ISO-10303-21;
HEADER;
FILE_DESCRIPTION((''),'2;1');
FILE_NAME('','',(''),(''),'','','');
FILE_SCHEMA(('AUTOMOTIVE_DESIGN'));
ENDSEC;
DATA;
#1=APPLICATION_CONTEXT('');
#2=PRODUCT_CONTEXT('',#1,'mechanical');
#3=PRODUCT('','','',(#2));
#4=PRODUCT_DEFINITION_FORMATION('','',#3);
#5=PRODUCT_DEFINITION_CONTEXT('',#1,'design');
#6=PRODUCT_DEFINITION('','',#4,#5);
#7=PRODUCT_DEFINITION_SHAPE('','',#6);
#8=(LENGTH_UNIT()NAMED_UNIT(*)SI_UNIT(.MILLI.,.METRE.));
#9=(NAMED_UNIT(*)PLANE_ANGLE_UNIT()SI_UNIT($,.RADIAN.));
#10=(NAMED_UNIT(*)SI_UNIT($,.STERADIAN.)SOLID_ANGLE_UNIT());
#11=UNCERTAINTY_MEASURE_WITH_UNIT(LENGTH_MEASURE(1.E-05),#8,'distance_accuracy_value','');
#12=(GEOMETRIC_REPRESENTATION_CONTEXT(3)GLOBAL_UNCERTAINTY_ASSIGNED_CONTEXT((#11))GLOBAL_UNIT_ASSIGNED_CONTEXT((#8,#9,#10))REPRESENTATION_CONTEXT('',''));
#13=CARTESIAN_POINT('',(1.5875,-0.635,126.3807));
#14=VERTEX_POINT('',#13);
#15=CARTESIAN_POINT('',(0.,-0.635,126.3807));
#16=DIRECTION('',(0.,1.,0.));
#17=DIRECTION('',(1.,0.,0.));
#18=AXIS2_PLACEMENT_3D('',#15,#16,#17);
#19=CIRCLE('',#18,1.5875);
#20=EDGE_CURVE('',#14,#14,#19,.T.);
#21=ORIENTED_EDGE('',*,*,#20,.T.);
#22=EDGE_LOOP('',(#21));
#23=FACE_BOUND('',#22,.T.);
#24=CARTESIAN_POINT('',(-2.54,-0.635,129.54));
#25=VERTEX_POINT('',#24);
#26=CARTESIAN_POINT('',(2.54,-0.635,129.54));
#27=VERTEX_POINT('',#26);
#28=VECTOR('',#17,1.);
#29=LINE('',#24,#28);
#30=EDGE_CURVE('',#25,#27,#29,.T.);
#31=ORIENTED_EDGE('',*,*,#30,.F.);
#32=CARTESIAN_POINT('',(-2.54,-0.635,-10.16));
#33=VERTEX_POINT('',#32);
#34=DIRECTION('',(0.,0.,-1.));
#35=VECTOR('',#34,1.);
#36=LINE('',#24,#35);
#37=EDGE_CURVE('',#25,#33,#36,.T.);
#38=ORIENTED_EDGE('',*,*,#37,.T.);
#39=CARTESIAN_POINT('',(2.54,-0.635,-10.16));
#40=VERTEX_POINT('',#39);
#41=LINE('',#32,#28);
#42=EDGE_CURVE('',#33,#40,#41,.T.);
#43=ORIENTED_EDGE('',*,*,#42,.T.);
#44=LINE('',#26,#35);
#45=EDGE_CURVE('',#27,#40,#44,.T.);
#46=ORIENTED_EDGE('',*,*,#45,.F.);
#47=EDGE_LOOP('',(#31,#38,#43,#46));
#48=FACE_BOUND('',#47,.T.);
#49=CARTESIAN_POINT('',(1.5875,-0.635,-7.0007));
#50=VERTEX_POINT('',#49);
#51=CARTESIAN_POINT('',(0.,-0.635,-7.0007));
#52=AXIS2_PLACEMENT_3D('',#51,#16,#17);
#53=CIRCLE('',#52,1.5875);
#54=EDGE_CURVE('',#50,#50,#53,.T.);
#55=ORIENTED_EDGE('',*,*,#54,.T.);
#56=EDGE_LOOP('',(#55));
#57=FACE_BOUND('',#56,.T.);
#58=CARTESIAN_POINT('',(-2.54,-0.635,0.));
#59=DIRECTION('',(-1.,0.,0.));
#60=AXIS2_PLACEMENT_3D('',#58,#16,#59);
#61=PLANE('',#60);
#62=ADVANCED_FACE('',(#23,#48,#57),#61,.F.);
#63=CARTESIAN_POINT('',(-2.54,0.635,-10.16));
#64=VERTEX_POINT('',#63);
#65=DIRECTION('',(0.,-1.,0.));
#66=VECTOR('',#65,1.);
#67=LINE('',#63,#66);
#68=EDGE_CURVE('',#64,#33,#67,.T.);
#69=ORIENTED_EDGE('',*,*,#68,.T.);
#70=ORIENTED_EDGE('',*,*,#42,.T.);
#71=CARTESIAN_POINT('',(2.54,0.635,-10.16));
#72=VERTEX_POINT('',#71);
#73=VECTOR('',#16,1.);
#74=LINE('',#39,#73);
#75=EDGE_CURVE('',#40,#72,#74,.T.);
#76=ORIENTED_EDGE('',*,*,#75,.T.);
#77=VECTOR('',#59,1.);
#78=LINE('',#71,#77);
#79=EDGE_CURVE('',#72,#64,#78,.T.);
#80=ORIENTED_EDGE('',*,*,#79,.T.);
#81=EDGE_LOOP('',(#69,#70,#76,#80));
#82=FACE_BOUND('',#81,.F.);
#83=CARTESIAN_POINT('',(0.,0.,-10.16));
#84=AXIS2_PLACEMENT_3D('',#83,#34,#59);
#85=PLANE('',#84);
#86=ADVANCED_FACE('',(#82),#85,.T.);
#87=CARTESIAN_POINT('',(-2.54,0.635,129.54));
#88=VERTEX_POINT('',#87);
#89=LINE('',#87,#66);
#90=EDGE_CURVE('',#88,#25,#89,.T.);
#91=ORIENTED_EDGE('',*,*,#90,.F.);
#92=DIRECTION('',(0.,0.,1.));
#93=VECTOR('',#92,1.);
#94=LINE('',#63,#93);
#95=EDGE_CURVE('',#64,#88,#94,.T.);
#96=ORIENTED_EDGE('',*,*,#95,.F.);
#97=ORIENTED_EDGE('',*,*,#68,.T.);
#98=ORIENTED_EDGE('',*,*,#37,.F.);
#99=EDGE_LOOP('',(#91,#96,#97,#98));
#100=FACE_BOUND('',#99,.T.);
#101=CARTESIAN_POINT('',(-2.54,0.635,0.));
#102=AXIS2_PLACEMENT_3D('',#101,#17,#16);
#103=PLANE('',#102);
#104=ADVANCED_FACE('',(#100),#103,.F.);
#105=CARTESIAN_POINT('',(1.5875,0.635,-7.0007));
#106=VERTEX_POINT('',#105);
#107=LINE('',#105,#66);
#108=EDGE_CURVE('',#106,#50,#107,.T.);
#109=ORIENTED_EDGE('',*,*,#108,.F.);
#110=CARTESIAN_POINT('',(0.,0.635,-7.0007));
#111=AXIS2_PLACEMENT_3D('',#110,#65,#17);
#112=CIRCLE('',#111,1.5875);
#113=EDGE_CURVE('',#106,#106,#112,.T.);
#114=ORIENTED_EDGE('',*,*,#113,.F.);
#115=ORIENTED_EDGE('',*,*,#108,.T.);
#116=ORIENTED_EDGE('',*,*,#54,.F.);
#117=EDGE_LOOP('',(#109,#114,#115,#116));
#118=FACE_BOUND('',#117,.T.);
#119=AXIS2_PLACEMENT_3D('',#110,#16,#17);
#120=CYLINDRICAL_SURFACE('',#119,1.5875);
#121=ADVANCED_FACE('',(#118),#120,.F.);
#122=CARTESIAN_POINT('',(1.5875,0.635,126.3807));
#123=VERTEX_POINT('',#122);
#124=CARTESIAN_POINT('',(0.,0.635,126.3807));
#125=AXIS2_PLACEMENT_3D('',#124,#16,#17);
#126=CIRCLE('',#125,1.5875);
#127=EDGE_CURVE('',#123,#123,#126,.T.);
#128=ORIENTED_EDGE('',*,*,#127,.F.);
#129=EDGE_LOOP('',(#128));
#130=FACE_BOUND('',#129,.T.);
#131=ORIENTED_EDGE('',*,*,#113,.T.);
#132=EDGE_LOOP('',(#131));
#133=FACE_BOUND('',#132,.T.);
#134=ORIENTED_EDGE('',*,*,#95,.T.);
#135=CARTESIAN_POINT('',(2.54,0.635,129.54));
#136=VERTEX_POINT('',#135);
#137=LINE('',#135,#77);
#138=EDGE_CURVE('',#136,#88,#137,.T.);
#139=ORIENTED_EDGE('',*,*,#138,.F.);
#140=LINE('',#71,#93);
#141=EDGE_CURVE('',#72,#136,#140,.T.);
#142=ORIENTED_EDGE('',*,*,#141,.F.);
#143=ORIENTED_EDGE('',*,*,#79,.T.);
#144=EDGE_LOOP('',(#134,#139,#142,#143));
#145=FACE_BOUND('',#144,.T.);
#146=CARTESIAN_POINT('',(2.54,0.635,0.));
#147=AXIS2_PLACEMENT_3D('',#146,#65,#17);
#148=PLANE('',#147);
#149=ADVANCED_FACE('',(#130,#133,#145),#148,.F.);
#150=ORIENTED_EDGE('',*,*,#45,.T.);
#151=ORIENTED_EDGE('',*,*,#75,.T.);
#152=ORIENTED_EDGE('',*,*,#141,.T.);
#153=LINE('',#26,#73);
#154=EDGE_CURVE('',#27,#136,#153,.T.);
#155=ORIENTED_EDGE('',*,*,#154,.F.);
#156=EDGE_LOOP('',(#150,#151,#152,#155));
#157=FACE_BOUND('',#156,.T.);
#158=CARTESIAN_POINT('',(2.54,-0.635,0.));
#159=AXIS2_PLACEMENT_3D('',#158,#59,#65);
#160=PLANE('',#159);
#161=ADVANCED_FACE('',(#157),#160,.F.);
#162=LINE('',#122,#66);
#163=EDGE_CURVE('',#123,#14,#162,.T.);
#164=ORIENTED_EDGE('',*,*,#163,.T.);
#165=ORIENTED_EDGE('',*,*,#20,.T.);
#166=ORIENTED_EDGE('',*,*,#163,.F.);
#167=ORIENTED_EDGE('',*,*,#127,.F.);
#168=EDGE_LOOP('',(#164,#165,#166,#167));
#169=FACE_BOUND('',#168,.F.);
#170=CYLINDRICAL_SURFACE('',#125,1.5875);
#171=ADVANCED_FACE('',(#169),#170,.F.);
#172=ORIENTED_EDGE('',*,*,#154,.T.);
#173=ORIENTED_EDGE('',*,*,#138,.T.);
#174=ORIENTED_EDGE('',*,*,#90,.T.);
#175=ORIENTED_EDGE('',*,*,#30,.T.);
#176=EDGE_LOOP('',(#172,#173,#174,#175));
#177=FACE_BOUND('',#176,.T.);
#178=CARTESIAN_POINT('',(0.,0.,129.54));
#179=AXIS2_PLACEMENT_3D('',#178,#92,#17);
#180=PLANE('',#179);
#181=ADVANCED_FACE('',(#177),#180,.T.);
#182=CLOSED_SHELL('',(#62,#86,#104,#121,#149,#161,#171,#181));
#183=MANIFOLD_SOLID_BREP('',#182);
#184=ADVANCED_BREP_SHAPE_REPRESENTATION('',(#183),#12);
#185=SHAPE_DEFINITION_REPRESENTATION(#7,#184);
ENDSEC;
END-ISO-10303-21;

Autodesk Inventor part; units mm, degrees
ref_plane "YZ Plane" through (0, 0, 0) normal (1, 0, 0) x (0, 1, 0)
ref_plane "XZ Plane" through (0, 0, 0) normal (0, 1, 0) x (-1, 0, 0)
sketch "Sketch1" plane through (0, 0, 0) normal (0, 0, 1) x (1, 0, 0)
  line L0 (2.54, -0.635) -> (-2.54, -0.635)
  line L1 (-2.54, -0.635) -> (-2.54, 0.635)
  line L2 (-2.54, 0.635) -> (2.54, 0.635)
  line L3 (2.54, 0.635) -> (2.54, -0.635)
  line L4 (2.54, -0.635) -> (-2.54, 0.635) construction
  line L5 (-2.54, -0.635) -> (2.54, 0.635) construction
  point P0 (0, 0)
  dimension "d0" = 5.08
  dimension "d1" = 1.27
extrude "Extrusion1" add sketch "Sketch1" along normal blind 119.38
ref_plane "Work Plane1" through (0, 0, 59.69) normal (0, 0, 1) x (1, 0, 0)
sketch "Sketch2" plane through (0, 0, 119.38) normal (0, 0, 1) x (1, 0, 0)
  line L0 (2.54, 0.635) -> (-2.54, 0.635) projected
  line L1 (-2.54, 0.635) -> (-2.54, -0.635) projected
  line L2 (-2.54, -0.635) -> (2.54, -0.635) projected
  line L3 (2.54, -0.635) -> (2.54, 0.635) projected
  point P0 (0, 0)
extrude "Extrusion2" add sketch "Sketch2" along normal blind 10.16
sketch "Sketch3" plane through (-2.54, 0.635, 0) normal (0, 1, 0) x (1, 0, 0)
  line L0 (5.08, -119.38) -> (0, -119.38) construction
  line L1 (2.54, -119.38) -> (2.54, -129.54) construction
  line L2 (0, -129.54) -> (5.08, -129.54) construction
  circle A0 centre (2.54, -126.3807) radius 1.5875
  point P0 (2.54, 0)
extrude "Extrusion3" cut sketch "Sketch3" against normal blind 6.35
mirror "Mirror1" about plane through (0, 0, 59.69) normal (0, 0, 1) of "Extrusion2"
mirror "Mirror2" about plane through (0, 0, 59.69) normal (0, 0, 1) of "Extrusion3"
thread "Thread1" size "5-40 UNC" class "2B" standard "ANSI Unified Screw Threads" full length
thread "Thread2" size "5-40 UNC" class "2B" standard "ANSI Unified Screw Threads" full length
properties part number "Pedal Bar"
